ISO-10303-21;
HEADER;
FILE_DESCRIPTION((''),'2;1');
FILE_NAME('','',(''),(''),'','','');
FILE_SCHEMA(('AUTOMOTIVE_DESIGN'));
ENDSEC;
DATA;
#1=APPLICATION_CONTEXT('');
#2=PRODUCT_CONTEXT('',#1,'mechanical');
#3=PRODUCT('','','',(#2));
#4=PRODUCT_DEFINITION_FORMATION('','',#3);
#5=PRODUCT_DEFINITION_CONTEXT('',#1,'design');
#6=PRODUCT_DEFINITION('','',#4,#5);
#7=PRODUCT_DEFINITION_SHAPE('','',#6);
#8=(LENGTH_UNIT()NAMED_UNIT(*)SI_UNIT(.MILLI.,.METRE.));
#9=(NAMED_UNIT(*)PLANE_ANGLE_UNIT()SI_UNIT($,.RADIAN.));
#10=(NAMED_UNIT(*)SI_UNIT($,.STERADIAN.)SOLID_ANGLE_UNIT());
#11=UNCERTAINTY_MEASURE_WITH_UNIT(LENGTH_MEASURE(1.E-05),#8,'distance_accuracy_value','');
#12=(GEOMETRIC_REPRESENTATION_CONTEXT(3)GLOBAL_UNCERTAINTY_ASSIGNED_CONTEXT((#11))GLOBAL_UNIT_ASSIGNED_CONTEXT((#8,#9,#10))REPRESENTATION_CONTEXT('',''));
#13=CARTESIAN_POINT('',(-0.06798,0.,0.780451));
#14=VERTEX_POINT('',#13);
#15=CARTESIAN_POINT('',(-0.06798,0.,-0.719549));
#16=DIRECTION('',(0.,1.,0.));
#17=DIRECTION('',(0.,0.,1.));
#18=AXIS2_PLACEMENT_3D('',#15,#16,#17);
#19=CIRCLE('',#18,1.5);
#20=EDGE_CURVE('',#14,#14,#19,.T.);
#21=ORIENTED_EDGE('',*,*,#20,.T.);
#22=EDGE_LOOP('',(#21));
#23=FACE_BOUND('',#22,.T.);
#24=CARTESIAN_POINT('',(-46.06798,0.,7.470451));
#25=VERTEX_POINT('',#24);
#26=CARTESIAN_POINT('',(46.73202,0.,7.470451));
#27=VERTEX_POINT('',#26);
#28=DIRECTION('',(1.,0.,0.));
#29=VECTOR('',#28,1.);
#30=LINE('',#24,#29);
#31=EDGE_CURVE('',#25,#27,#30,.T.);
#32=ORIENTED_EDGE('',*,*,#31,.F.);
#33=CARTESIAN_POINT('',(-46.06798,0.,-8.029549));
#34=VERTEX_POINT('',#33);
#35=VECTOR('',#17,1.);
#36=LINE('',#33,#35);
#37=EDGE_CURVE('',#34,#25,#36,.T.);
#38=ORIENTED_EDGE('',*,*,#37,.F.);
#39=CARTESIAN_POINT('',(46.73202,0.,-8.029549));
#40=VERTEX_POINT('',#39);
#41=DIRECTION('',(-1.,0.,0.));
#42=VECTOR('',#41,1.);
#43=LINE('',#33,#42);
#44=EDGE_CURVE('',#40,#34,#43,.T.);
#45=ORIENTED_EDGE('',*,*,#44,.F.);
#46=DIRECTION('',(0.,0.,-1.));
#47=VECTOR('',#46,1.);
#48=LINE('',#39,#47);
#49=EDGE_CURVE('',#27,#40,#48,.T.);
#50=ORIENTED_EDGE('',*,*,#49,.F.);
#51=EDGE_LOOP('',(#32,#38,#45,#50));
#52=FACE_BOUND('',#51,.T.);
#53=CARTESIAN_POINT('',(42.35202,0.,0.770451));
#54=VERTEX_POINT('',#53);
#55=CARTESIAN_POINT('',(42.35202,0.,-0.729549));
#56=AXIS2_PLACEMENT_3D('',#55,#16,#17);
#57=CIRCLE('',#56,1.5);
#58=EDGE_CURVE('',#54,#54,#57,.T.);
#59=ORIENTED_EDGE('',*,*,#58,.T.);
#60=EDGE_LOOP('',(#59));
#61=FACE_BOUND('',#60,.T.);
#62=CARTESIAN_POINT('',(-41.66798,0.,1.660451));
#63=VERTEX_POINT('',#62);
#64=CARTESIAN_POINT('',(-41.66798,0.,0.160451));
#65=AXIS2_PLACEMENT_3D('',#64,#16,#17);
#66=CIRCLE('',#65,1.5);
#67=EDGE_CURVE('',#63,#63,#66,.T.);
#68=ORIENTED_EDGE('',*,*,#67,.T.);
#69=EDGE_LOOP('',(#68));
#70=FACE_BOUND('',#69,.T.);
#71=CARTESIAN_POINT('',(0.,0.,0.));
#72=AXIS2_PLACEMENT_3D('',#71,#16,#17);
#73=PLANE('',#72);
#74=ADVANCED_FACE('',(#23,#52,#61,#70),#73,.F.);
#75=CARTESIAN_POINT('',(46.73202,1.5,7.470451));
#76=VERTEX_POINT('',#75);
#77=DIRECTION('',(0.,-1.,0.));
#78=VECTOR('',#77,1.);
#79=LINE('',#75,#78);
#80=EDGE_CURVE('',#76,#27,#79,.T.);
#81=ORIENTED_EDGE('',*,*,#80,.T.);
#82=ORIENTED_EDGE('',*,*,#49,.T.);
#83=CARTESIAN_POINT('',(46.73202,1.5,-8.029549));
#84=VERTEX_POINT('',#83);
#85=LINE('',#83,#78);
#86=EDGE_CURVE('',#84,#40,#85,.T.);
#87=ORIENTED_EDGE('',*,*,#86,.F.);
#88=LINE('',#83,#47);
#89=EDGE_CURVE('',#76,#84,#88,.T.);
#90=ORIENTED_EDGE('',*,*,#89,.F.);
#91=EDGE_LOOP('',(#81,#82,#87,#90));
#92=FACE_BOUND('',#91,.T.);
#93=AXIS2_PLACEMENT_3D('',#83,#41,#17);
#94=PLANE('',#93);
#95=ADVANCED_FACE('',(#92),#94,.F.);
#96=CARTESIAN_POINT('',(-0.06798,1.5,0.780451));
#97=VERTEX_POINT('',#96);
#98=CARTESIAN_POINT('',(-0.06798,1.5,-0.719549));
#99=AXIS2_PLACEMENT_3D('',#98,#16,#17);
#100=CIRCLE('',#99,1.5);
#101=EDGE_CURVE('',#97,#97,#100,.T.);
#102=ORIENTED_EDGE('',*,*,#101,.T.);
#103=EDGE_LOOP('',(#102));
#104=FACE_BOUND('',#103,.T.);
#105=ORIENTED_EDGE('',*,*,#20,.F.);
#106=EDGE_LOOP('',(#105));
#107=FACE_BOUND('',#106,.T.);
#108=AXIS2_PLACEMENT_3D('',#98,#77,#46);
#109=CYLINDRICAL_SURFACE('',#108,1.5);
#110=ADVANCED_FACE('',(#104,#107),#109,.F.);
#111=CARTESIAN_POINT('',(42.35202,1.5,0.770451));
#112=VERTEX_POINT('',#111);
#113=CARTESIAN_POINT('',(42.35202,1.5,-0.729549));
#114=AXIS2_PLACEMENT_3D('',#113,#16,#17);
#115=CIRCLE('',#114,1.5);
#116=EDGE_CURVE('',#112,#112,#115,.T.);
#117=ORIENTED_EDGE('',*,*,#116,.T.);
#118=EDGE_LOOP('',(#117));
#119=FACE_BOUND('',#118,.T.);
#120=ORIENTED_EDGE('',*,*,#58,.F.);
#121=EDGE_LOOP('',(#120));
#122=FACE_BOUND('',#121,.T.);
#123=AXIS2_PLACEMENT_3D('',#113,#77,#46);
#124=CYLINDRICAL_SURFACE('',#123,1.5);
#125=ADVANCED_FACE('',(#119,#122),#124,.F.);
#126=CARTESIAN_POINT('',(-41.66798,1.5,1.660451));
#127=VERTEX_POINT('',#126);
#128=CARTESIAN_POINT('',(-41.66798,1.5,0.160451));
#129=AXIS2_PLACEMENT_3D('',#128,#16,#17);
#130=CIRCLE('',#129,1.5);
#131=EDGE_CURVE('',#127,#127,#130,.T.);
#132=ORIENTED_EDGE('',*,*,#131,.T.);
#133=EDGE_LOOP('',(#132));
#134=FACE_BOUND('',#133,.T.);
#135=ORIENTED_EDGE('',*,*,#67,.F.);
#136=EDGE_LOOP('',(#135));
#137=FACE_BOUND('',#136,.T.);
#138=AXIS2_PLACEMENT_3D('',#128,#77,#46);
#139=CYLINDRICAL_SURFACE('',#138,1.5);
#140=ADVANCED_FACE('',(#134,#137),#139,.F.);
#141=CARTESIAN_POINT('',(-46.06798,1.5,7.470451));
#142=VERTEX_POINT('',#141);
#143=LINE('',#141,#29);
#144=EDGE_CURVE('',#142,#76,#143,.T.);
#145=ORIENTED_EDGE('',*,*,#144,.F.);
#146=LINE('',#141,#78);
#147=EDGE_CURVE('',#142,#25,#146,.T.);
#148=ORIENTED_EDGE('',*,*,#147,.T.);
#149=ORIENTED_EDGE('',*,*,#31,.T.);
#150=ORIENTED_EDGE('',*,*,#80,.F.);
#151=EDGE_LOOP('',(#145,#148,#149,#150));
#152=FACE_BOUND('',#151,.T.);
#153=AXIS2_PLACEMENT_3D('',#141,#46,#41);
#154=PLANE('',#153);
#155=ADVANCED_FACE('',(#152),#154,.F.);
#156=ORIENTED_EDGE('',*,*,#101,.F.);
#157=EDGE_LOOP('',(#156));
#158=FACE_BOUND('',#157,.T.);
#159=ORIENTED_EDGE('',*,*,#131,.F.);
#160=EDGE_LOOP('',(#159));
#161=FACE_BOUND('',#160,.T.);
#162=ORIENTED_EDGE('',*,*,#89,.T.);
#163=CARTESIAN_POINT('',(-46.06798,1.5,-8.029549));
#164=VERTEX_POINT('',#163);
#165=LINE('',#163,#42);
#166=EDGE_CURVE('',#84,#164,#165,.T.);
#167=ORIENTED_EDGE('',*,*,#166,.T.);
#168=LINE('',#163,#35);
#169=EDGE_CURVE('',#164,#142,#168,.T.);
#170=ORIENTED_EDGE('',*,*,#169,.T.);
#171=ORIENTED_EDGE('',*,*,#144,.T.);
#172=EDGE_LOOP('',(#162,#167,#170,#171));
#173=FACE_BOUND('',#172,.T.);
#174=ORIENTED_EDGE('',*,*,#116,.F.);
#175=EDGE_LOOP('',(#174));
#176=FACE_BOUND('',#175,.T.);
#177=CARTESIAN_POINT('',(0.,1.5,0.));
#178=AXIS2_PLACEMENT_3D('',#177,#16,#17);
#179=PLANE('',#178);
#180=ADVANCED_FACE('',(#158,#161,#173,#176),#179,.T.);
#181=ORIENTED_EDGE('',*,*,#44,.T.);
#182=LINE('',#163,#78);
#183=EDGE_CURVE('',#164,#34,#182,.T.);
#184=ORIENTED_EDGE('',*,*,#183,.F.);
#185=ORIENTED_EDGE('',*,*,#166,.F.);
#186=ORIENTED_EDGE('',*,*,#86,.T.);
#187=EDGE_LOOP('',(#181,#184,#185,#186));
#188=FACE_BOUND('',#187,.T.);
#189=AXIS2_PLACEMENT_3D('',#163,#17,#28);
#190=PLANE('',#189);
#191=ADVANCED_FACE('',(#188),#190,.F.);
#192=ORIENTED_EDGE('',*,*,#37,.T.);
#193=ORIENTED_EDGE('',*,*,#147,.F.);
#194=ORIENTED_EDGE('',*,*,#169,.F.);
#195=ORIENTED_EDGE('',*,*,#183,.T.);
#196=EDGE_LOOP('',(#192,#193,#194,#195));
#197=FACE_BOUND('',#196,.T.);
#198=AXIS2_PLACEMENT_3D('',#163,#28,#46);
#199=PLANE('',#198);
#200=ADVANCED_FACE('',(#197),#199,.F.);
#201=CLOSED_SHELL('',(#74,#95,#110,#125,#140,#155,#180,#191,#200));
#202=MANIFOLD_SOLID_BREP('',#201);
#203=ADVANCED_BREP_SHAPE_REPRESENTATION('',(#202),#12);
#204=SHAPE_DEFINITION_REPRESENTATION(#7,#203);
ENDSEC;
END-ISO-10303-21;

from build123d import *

# Parameters (mm, degrees)
SKETCH1_W           = 92.8
SKETCH1_H           = 15.5
SKETCH1_R           = 1.5
BOSS_EXTRUDE1_DEPTH = 1.5


with BuildPart() as part:
    # Sketch1 → Boss-Extrude1 (new body)
    with BuildSketch(Plane(origin=(0, 0, 0), x_dir=(1, 0, 0), z_dir=(0, 1, 0))):
        with Locations((0.332020049, 0.279548896)):
            Rectangle(SKETCH1_W, SKETCH1_H)
        with Locations(Location((-41.667979951, -0.160451104, 0), (0, 0, 270))):
            Circle(SKETCH1_R, mode=Mode.SUBTRACT)
        with Locations(Location((-0.067979951, 0.719548896, 0), (0, 0, 270))):
            Circle(SKETCH1_R, mode=Mode.SUBTRACT)
        with Locations(Location((42.352020049, 0.729548896, 0), (0, 0, 270))):
            Circle(SKETCH1_R, mode=Mode.SUBTRACT)
    extrude(amount=BOSS_EXTRUDE1_DEPTH)


solid = part.part
